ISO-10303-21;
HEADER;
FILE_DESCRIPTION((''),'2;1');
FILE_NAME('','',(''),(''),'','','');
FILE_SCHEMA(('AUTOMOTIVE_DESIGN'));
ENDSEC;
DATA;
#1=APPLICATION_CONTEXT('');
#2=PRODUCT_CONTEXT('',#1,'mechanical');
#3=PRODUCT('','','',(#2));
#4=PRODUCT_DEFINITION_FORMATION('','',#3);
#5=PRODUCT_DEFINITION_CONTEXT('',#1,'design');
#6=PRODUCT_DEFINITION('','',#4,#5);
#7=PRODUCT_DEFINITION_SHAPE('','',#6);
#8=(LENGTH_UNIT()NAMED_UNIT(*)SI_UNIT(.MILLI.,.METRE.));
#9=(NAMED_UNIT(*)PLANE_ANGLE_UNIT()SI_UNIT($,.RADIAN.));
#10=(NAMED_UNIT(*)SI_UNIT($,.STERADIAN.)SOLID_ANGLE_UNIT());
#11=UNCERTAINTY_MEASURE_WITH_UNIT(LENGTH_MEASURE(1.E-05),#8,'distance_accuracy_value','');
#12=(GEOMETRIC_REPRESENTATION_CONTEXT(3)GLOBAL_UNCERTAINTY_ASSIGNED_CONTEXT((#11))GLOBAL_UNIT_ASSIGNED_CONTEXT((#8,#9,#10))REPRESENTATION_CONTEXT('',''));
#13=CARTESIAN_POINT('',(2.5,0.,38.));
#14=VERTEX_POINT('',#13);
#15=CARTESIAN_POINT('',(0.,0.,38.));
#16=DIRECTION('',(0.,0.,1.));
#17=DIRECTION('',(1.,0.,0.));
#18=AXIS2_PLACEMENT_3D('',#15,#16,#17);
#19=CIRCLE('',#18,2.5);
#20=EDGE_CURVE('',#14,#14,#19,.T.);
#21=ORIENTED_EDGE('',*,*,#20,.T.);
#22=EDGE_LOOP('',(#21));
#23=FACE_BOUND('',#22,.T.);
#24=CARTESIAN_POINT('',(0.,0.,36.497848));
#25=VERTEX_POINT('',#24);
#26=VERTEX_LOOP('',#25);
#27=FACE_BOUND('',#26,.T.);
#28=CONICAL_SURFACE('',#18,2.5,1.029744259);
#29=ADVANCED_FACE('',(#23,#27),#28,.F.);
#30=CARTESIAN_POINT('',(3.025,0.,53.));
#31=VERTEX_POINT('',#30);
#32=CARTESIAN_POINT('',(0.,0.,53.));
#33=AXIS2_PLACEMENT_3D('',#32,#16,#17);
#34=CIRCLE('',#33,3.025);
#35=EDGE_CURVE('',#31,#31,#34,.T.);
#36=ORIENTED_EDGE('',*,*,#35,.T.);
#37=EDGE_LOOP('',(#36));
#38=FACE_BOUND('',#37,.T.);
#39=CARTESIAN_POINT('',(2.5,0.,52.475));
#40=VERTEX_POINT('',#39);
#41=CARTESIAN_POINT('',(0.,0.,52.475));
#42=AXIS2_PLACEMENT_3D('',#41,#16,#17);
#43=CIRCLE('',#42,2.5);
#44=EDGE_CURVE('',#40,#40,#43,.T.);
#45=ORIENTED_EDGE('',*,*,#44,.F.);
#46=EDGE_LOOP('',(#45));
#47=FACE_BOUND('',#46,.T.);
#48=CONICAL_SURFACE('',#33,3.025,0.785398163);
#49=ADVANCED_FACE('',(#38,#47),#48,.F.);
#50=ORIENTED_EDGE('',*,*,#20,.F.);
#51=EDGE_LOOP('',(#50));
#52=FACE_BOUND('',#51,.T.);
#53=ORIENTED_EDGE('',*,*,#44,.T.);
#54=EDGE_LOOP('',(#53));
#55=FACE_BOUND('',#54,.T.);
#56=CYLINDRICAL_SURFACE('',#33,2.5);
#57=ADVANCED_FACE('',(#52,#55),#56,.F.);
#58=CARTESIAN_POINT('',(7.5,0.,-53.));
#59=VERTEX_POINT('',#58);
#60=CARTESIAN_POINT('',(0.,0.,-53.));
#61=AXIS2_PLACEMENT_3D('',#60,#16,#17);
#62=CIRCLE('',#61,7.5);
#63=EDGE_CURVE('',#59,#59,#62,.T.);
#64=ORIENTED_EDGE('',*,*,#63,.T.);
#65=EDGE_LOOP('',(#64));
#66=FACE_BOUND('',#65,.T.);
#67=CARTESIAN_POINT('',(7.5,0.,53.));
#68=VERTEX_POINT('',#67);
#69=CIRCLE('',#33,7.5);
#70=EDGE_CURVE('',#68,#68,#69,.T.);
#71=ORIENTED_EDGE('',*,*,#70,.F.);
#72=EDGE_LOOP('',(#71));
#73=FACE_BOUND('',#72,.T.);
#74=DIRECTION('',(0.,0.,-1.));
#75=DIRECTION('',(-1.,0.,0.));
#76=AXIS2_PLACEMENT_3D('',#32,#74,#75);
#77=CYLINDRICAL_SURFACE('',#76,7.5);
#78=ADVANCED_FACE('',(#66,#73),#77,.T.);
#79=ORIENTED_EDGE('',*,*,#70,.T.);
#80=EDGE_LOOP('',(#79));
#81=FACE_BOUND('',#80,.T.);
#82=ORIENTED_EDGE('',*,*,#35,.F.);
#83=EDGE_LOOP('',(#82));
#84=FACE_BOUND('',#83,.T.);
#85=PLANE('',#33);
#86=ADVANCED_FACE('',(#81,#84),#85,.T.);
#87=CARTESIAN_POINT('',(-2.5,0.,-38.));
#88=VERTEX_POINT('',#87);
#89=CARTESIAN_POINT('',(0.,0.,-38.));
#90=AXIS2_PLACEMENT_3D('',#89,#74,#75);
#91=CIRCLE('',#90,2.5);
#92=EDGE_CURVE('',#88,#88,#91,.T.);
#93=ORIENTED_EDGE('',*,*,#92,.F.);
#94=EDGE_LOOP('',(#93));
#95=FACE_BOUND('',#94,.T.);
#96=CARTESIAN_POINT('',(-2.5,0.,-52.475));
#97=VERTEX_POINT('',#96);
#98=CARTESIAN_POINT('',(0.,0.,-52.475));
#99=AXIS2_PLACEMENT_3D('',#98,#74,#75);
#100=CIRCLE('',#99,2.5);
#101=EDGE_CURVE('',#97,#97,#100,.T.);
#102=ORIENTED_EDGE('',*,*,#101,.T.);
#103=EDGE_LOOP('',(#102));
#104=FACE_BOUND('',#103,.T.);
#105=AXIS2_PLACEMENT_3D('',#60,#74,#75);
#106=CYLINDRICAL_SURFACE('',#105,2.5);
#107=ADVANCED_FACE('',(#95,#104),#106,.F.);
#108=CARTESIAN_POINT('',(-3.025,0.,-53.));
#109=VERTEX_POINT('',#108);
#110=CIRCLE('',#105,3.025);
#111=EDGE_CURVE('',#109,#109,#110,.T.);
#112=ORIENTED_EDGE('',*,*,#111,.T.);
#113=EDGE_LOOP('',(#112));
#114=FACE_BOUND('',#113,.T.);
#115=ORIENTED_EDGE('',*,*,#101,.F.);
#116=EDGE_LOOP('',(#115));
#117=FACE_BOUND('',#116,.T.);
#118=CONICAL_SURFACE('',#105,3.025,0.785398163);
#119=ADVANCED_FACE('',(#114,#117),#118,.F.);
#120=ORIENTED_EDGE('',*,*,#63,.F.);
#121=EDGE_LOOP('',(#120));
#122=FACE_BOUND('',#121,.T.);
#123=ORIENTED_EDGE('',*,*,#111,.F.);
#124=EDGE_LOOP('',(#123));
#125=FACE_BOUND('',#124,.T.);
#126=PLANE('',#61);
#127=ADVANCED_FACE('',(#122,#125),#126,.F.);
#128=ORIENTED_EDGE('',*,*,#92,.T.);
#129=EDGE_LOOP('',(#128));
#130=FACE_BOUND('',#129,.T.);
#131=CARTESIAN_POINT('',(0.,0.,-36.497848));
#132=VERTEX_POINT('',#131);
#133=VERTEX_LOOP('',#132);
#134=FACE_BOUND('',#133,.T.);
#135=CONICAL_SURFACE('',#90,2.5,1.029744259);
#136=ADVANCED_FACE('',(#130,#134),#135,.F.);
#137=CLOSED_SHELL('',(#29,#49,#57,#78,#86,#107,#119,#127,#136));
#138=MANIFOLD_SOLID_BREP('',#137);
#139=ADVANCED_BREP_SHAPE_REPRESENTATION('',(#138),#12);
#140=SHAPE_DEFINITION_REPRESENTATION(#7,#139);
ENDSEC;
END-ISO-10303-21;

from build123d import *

# Parameters (mm, degrees)
SKETCH1_R           = 7.5
BOSS_EXTRUDE1_DEPTH = 53


with BuildPart() as part:
    # Sketch1 → Boss-Extrude1 (new body, symmetric)
    with BuildSketch(Plane.XY):
        Circle(SKETCH1_R)
    extrude(amount=BOSS_EXTRUDE1_DEPTH, both=True)

    # Sketch3 → M6x1.0 Tapped Hole1 (revolve, cut)
    with BuildSketch(Plane(origin=(0, 0, 53), x_dir=(0, -1, 0), z_dir=(1, 0, 0))):
        Polygon((0, 0), (0, 16.502151548), (2.5, 15), (2.5, 0.525), (3.025, 0), align=None)
    m6x1_0_tapped_hole1 = revolve(axis=Axis((0, 0, 59.35), (0, 0, -1)), mode=Mode.SUBTRACT)

    # Mirror1: M6x1.0 Tapped Hole1 across plane
    add(m6x1_0_tapped_hole1.mirror(Plane.XY), mode=Mode.SUBTRACT)


solid = part.part
